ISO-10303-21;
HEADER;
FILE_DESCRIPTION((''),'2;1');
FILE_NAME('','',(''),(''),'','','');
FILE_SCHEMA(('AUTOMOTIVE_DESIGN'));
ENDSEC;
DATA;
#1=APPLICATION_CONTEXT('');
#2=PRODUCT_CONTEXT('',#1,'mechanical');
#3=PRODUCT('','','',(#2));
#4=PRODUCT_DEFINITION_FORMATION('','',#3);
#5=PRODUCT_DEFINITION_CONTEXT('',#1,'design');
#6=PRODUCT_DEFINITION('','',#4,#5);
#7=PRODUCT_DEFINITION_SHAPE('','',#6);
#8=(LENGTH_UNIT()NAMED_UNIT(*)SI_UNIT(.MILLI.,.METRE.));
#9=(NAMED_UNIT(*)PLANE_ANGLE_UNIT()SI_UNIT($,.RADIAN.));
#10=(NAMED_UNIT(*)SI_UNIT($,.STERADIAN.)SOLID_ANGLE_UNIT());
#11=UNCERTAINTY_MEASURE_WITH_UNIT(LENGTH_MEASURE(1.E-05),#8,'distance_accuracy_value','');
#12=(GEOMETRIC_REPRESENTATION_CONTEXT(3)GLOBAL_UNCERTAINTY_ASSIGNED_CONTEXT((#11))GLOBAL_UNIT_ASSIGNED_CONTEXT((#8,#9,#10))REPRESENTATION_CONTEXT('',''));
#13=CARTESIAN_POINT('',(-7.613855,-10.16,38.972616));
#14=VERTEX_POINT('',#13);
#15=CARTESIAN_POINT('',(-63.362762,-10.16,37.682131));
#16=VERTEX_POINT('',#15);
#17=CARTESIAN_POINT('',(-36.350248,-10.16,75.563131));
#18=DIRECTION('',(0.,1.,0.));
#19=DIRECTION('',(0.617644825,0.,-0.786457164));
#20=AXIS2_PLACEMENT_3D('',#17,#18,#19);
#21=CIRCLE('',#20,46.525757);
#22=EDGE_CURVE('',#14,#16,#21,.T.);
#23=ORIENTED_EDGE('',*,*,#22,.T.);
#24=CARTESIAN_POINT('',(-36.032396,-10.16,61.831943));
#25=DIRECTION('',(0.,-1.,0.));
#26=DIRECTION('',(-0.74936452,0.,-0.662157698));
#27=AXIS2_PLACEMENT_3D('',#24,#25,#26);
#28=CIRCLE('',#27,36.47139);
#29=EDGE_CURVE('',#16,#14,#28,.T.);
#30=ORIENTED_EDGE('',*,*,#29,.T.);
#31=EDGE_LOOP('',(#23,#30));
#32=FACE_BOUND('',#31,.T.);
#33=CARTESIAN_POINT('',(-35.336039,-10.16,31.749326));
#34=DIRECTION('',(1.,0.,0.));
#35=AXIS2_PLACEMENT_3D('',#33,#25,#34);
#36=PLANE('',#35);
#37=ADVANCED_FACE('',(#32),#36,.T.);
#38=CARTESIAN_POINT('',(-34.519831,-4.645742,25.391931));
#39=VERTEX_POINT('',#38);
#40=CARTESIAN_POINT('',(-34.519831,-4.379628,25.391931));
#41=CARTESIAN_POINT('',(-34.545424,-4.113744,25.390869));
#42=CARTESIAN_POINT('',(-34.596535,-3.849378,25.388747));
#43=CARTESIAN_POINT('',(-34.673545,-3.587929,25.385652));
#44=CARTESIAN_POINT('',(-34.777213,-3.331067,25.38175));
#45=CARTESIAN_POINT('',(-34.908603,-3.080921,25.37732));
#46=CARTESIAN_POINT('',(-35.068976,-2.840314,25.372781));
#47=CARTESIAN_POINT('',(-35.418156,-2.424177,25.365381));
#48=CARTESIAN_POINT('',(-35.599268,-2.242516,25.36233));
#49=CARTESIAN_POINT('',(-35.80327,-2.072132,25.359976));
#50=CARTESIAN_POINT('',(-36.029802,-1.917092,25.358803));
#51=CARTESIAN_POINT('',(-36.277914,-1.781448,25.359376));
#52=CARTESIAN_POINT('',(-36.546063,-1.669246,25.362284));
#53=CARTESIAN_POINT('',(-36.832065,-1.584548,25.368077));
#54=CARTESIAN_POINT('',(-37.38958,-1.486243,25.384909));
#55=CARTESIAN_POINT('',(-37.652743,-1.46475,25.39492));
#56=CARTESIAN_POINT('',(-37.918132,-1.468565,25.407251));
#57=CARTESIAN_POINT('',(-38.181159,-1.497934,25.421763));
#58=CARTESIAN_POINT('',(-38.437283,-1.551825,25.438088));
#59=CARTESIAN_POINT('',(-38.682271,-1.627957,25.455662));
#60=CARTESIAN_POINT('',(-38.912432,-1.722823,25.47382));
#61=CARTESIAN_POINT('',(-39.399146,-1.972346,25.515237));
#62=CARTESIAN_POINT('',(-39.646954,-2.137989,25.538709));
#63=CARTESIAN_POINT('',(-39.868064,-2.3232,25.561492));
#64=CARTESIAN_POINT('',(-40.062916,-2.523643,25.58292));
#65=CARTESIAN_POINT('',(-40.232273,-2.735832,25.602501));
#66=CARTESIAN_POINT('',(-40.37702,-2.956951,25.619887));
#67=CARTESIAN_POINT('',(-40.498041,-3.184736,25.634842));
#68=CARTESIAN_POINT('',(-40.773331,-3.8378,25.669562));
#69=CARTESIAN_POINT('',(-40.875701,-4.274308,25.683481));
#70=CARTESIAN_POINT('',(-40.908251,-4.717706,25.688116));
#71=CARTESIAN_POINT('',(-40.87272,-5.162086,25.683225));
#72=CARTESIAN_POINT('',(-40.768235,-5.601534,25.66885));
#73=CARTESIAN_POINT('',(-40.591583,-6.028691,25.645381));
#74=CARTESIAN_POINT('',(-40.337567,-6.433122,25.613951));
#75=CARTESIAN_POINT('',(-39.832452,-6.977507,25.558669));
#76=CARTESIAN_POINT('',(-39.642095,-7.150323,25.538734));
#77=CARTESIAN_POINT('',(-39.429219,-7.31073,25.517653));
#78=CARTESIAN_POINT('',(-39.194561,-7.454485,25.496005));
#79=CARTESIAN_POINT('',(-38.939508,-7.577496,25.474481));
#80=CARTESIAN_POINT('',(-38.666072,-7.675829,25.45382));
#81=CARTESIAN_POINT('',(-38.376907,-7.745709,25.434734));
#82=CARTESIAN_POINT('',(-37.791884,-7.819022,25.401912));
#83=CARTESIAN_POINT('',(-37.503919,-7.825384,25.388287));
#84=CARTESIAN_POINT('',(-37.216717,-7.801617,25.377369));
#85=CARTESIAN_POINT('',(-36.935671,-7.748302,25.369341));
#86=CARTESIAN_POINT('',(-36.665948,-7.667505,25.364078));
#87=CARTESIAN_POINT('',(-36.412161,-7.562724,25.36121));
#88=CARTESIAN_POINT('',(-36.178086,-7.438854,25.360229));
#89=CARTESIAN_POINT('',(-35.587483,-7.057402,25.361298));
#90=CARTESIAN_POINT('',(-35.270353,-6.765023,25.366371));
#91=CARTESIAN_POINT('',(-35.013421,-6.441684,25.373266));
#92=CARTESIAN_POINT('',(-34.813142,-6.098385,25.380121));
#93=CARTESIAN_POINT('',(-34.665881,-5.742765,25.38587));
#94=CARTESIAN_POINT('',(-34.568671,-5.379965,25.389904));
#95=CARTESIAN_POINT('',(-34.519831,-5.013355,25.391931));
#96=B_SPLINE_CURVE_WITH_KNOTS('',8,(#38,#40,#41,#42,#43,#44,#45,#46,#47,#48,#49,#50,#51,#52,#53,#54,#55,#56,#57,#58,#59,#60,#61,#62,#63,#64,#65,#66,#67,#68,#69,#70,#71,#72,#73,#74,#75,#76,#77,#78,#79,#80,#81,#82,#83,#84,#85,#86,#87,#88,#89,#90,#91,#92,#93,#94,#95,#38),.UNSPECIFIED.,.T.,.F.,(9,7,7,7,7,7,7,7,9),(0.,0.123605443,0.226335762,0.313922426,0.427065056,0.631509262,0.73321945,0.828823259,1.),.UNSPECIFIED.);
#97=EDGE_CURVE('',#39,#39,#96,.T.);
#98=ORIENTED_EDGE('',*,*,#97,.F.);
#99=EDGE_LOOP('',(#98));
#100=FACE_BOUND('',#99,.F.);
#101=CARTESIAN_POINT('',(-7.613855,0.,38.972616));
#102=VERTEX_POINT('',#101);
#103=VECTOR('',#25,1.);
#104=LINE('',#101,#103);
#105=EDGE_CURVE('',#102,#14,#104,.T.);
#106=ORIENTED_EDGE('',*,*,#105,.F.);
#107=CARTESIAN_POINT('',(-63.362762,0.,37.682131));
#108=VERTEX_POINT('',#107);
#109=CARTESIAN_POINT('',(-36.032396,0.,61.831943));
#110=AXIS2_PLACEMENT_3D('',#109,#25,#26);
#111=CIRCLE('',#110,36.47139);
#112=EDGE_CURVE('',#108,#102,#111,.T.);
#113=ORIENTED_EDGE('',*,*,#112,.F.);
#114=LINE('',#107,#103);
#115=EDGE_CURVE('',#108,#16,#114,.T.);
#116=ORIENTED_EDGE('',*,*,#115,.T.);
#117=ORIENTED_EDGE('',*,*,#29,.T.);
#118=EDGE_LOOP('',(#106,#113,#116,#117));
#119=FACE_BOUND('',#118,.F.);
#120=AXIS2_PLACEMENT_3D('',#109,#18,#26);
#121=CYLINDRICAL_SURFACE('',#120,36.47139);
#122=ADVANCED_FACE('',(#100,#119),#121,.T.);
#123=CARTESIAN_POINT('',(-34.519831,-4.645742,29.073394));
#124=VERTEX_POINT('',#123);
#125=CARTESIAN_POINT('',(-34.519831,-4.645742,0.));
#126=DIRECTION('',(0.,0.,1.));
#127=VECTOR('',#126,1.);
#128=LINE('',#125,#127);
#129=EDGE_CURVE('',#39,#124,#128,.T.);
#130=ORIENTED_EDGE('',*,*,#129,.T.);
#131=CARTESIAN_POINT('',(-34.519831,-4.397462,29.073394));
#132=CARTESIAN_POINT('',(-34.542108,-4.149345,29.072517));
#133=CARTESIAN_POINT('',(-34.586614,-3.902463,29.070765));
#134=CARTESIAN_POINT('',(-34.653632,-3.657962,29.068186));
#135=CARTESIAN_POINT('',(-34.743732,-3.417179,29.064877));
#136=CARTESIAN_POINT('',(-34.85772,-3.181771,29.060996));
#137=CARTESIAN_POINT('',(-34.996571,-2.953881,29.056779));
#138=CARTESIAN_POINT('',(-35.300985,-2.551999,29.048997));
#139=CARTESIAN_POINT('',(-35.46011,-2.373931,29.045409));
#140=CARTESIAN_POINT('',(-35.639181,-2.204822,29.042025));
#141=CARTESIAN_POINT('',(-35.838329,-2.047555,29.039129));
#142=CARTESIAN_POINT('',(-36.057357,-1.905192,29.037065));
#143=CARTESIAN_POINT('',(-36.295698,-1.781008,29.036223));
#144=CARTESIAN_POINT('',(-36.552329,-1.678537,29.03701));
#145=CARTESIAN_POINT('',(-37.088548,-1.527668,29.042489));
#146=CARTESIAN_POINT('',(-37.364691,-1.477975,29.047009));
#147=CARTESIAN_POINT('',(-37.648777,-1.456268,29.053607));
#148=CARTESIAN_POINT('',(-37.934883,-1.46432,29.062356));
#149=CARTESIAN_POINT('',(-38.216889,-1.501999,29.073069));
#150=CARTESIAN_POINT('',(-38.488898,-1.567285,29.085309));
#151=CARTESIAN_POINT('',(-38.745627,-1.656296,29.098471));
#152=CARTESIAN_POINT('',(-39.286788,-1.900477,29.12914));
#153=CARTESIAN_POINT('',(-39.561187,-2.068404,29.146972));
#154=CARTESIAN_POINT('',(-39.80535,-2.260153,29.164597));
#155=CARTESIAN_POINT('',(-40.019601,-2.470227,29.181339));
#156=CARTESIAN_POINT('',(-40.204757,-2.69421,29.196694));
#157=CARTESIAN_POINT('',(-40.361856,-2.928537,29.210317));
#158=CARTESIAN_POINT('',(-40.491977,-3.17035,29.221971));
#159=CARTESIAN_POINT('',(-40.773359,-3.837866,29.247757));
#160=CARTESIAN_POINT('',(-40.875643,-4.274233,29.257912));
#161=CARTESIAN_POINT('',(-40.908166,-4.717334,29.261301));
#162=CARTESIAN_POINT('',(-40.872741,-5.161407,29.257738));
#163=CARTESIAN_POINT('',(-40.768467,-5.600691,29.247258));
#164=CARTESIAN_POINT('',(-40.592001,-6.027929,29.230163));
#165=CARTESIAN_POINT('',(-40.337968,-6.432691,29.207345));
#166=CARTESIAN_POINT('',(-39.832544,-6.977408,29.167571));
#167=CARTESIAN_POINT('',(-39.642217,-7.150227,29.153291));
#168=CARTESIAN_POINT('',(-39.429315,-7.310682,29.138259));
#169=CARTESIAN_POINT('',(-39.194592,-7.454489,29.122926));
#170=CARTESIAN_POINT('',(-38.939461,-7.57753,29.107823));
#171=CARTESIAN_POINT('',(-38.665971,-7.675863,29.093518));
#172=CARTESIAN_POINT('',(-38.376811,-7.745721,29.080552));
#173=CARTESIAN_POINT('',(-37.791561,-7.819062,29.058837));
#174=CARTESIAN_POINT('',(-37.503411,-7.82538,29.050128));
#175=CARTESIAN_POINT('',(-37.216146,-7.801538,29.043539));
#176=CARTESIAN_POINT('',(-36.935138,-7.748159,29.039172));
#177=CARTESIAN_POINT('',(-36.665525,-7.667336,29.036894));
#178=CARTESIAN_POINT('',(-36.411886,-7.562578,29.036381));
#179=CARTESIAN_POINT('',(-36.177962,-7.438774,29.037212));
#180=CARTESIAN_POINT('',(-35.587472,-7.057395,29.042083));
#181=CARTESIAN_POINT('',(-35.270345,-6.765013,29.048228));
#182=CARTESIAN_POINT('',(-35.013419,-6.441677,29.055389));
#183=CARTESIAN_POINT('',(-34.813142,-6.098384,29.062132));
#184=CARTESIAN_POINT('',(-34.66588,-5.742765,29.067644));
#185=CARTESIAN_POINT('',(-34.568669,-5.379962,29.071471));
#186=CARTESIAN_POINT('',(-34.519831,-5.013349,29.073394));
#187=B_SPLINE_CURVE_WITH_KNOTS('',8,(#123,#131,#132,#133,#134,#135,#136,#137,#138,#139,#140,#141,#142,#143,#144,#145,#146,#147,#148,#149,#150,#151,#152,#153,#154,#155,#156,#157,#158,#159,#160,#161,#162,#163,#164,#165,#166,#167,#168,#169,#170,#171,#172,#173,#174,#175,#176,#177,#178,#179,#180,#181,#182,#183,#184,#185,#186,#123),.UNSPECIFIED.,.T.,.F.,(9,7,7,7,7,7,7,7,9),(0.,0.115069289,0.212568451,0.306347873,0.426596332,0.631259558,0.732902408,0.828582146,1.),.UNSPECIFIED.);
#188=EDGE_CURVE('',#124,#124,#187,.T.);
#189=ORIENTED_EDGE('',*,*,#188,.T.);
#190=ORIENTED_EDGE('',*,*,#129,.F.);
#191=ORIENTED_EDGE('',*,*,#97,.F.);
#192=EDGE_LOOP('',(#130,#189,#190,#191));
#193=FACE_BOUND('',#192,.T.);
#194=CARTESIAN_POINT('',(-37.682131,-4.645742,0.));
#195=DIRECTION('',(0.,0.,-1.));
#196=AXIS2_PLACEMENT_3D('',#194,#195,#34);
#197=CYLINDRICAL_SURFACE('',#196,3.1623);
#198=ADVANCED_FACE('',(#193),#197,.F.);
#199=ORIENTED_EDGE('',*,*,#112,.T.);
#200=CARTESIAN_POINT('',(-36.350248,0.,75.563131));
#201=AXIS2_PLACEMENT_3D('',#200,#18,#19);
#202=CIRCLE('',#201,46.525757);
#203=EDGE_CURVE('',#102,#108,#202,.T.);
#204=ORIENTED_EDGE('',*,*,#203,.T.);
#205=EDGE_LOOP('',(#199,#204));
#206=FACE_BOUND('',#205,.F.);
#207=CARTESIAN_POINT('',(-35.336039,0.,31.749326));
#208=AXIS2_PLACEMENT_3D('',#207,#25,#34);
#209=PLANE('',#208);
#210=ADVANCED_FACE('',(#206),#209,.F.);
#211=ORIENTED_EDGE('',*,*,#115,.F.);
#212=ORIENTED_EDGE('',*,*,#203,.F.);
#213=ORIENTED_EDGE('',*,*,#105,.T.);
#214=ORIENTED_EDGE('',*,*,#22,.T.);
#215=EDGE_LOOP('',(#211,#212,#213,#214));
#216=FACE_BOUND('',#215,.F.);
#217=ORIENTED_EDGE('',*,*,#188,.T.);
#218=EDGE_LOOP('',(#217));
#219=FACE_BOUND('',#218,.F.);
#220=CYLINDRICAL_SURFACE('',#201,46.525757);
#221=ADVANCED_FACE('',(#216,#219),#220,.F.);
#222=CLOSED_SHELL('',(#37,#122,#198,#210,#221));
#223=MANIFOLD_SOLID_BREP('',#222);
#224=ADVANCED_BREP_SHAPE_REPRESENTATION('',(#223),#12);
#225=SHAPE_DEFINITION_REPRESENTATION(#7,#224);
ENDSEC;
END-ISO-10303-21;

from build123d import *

# Parameters (mm, degrees)
F1_DEPTH = 10.16
F2_R     = 3.1623
F3_DEPTH = 127


with BuildPart() as f1:
    # F0 (on Front) → F1 (new body)
    with BuildSketch(Plane.XZ):
        with BuildLine():
            ThreePointArc((-7.613855, 38.972616), (-35.273551, 29.049834), (-63.362762, 37.682131))
            ThreePointArc((-63.362762, 37.682131), (-35.188377, 25.37032), (-7.613855, 38.972616))
        make_face()
    extrude(amount=F1_DEPTH)

    # F2 (on Top) → F3 (cut)
    with BuildSketch(Plane.XY):
        with Locations((-37.682131, -4.645742)):
            Circle(F2_R)
    extrude(amount=F3_DEPTH, mode=Mode.SUBTRACT)


solid = f1.part
